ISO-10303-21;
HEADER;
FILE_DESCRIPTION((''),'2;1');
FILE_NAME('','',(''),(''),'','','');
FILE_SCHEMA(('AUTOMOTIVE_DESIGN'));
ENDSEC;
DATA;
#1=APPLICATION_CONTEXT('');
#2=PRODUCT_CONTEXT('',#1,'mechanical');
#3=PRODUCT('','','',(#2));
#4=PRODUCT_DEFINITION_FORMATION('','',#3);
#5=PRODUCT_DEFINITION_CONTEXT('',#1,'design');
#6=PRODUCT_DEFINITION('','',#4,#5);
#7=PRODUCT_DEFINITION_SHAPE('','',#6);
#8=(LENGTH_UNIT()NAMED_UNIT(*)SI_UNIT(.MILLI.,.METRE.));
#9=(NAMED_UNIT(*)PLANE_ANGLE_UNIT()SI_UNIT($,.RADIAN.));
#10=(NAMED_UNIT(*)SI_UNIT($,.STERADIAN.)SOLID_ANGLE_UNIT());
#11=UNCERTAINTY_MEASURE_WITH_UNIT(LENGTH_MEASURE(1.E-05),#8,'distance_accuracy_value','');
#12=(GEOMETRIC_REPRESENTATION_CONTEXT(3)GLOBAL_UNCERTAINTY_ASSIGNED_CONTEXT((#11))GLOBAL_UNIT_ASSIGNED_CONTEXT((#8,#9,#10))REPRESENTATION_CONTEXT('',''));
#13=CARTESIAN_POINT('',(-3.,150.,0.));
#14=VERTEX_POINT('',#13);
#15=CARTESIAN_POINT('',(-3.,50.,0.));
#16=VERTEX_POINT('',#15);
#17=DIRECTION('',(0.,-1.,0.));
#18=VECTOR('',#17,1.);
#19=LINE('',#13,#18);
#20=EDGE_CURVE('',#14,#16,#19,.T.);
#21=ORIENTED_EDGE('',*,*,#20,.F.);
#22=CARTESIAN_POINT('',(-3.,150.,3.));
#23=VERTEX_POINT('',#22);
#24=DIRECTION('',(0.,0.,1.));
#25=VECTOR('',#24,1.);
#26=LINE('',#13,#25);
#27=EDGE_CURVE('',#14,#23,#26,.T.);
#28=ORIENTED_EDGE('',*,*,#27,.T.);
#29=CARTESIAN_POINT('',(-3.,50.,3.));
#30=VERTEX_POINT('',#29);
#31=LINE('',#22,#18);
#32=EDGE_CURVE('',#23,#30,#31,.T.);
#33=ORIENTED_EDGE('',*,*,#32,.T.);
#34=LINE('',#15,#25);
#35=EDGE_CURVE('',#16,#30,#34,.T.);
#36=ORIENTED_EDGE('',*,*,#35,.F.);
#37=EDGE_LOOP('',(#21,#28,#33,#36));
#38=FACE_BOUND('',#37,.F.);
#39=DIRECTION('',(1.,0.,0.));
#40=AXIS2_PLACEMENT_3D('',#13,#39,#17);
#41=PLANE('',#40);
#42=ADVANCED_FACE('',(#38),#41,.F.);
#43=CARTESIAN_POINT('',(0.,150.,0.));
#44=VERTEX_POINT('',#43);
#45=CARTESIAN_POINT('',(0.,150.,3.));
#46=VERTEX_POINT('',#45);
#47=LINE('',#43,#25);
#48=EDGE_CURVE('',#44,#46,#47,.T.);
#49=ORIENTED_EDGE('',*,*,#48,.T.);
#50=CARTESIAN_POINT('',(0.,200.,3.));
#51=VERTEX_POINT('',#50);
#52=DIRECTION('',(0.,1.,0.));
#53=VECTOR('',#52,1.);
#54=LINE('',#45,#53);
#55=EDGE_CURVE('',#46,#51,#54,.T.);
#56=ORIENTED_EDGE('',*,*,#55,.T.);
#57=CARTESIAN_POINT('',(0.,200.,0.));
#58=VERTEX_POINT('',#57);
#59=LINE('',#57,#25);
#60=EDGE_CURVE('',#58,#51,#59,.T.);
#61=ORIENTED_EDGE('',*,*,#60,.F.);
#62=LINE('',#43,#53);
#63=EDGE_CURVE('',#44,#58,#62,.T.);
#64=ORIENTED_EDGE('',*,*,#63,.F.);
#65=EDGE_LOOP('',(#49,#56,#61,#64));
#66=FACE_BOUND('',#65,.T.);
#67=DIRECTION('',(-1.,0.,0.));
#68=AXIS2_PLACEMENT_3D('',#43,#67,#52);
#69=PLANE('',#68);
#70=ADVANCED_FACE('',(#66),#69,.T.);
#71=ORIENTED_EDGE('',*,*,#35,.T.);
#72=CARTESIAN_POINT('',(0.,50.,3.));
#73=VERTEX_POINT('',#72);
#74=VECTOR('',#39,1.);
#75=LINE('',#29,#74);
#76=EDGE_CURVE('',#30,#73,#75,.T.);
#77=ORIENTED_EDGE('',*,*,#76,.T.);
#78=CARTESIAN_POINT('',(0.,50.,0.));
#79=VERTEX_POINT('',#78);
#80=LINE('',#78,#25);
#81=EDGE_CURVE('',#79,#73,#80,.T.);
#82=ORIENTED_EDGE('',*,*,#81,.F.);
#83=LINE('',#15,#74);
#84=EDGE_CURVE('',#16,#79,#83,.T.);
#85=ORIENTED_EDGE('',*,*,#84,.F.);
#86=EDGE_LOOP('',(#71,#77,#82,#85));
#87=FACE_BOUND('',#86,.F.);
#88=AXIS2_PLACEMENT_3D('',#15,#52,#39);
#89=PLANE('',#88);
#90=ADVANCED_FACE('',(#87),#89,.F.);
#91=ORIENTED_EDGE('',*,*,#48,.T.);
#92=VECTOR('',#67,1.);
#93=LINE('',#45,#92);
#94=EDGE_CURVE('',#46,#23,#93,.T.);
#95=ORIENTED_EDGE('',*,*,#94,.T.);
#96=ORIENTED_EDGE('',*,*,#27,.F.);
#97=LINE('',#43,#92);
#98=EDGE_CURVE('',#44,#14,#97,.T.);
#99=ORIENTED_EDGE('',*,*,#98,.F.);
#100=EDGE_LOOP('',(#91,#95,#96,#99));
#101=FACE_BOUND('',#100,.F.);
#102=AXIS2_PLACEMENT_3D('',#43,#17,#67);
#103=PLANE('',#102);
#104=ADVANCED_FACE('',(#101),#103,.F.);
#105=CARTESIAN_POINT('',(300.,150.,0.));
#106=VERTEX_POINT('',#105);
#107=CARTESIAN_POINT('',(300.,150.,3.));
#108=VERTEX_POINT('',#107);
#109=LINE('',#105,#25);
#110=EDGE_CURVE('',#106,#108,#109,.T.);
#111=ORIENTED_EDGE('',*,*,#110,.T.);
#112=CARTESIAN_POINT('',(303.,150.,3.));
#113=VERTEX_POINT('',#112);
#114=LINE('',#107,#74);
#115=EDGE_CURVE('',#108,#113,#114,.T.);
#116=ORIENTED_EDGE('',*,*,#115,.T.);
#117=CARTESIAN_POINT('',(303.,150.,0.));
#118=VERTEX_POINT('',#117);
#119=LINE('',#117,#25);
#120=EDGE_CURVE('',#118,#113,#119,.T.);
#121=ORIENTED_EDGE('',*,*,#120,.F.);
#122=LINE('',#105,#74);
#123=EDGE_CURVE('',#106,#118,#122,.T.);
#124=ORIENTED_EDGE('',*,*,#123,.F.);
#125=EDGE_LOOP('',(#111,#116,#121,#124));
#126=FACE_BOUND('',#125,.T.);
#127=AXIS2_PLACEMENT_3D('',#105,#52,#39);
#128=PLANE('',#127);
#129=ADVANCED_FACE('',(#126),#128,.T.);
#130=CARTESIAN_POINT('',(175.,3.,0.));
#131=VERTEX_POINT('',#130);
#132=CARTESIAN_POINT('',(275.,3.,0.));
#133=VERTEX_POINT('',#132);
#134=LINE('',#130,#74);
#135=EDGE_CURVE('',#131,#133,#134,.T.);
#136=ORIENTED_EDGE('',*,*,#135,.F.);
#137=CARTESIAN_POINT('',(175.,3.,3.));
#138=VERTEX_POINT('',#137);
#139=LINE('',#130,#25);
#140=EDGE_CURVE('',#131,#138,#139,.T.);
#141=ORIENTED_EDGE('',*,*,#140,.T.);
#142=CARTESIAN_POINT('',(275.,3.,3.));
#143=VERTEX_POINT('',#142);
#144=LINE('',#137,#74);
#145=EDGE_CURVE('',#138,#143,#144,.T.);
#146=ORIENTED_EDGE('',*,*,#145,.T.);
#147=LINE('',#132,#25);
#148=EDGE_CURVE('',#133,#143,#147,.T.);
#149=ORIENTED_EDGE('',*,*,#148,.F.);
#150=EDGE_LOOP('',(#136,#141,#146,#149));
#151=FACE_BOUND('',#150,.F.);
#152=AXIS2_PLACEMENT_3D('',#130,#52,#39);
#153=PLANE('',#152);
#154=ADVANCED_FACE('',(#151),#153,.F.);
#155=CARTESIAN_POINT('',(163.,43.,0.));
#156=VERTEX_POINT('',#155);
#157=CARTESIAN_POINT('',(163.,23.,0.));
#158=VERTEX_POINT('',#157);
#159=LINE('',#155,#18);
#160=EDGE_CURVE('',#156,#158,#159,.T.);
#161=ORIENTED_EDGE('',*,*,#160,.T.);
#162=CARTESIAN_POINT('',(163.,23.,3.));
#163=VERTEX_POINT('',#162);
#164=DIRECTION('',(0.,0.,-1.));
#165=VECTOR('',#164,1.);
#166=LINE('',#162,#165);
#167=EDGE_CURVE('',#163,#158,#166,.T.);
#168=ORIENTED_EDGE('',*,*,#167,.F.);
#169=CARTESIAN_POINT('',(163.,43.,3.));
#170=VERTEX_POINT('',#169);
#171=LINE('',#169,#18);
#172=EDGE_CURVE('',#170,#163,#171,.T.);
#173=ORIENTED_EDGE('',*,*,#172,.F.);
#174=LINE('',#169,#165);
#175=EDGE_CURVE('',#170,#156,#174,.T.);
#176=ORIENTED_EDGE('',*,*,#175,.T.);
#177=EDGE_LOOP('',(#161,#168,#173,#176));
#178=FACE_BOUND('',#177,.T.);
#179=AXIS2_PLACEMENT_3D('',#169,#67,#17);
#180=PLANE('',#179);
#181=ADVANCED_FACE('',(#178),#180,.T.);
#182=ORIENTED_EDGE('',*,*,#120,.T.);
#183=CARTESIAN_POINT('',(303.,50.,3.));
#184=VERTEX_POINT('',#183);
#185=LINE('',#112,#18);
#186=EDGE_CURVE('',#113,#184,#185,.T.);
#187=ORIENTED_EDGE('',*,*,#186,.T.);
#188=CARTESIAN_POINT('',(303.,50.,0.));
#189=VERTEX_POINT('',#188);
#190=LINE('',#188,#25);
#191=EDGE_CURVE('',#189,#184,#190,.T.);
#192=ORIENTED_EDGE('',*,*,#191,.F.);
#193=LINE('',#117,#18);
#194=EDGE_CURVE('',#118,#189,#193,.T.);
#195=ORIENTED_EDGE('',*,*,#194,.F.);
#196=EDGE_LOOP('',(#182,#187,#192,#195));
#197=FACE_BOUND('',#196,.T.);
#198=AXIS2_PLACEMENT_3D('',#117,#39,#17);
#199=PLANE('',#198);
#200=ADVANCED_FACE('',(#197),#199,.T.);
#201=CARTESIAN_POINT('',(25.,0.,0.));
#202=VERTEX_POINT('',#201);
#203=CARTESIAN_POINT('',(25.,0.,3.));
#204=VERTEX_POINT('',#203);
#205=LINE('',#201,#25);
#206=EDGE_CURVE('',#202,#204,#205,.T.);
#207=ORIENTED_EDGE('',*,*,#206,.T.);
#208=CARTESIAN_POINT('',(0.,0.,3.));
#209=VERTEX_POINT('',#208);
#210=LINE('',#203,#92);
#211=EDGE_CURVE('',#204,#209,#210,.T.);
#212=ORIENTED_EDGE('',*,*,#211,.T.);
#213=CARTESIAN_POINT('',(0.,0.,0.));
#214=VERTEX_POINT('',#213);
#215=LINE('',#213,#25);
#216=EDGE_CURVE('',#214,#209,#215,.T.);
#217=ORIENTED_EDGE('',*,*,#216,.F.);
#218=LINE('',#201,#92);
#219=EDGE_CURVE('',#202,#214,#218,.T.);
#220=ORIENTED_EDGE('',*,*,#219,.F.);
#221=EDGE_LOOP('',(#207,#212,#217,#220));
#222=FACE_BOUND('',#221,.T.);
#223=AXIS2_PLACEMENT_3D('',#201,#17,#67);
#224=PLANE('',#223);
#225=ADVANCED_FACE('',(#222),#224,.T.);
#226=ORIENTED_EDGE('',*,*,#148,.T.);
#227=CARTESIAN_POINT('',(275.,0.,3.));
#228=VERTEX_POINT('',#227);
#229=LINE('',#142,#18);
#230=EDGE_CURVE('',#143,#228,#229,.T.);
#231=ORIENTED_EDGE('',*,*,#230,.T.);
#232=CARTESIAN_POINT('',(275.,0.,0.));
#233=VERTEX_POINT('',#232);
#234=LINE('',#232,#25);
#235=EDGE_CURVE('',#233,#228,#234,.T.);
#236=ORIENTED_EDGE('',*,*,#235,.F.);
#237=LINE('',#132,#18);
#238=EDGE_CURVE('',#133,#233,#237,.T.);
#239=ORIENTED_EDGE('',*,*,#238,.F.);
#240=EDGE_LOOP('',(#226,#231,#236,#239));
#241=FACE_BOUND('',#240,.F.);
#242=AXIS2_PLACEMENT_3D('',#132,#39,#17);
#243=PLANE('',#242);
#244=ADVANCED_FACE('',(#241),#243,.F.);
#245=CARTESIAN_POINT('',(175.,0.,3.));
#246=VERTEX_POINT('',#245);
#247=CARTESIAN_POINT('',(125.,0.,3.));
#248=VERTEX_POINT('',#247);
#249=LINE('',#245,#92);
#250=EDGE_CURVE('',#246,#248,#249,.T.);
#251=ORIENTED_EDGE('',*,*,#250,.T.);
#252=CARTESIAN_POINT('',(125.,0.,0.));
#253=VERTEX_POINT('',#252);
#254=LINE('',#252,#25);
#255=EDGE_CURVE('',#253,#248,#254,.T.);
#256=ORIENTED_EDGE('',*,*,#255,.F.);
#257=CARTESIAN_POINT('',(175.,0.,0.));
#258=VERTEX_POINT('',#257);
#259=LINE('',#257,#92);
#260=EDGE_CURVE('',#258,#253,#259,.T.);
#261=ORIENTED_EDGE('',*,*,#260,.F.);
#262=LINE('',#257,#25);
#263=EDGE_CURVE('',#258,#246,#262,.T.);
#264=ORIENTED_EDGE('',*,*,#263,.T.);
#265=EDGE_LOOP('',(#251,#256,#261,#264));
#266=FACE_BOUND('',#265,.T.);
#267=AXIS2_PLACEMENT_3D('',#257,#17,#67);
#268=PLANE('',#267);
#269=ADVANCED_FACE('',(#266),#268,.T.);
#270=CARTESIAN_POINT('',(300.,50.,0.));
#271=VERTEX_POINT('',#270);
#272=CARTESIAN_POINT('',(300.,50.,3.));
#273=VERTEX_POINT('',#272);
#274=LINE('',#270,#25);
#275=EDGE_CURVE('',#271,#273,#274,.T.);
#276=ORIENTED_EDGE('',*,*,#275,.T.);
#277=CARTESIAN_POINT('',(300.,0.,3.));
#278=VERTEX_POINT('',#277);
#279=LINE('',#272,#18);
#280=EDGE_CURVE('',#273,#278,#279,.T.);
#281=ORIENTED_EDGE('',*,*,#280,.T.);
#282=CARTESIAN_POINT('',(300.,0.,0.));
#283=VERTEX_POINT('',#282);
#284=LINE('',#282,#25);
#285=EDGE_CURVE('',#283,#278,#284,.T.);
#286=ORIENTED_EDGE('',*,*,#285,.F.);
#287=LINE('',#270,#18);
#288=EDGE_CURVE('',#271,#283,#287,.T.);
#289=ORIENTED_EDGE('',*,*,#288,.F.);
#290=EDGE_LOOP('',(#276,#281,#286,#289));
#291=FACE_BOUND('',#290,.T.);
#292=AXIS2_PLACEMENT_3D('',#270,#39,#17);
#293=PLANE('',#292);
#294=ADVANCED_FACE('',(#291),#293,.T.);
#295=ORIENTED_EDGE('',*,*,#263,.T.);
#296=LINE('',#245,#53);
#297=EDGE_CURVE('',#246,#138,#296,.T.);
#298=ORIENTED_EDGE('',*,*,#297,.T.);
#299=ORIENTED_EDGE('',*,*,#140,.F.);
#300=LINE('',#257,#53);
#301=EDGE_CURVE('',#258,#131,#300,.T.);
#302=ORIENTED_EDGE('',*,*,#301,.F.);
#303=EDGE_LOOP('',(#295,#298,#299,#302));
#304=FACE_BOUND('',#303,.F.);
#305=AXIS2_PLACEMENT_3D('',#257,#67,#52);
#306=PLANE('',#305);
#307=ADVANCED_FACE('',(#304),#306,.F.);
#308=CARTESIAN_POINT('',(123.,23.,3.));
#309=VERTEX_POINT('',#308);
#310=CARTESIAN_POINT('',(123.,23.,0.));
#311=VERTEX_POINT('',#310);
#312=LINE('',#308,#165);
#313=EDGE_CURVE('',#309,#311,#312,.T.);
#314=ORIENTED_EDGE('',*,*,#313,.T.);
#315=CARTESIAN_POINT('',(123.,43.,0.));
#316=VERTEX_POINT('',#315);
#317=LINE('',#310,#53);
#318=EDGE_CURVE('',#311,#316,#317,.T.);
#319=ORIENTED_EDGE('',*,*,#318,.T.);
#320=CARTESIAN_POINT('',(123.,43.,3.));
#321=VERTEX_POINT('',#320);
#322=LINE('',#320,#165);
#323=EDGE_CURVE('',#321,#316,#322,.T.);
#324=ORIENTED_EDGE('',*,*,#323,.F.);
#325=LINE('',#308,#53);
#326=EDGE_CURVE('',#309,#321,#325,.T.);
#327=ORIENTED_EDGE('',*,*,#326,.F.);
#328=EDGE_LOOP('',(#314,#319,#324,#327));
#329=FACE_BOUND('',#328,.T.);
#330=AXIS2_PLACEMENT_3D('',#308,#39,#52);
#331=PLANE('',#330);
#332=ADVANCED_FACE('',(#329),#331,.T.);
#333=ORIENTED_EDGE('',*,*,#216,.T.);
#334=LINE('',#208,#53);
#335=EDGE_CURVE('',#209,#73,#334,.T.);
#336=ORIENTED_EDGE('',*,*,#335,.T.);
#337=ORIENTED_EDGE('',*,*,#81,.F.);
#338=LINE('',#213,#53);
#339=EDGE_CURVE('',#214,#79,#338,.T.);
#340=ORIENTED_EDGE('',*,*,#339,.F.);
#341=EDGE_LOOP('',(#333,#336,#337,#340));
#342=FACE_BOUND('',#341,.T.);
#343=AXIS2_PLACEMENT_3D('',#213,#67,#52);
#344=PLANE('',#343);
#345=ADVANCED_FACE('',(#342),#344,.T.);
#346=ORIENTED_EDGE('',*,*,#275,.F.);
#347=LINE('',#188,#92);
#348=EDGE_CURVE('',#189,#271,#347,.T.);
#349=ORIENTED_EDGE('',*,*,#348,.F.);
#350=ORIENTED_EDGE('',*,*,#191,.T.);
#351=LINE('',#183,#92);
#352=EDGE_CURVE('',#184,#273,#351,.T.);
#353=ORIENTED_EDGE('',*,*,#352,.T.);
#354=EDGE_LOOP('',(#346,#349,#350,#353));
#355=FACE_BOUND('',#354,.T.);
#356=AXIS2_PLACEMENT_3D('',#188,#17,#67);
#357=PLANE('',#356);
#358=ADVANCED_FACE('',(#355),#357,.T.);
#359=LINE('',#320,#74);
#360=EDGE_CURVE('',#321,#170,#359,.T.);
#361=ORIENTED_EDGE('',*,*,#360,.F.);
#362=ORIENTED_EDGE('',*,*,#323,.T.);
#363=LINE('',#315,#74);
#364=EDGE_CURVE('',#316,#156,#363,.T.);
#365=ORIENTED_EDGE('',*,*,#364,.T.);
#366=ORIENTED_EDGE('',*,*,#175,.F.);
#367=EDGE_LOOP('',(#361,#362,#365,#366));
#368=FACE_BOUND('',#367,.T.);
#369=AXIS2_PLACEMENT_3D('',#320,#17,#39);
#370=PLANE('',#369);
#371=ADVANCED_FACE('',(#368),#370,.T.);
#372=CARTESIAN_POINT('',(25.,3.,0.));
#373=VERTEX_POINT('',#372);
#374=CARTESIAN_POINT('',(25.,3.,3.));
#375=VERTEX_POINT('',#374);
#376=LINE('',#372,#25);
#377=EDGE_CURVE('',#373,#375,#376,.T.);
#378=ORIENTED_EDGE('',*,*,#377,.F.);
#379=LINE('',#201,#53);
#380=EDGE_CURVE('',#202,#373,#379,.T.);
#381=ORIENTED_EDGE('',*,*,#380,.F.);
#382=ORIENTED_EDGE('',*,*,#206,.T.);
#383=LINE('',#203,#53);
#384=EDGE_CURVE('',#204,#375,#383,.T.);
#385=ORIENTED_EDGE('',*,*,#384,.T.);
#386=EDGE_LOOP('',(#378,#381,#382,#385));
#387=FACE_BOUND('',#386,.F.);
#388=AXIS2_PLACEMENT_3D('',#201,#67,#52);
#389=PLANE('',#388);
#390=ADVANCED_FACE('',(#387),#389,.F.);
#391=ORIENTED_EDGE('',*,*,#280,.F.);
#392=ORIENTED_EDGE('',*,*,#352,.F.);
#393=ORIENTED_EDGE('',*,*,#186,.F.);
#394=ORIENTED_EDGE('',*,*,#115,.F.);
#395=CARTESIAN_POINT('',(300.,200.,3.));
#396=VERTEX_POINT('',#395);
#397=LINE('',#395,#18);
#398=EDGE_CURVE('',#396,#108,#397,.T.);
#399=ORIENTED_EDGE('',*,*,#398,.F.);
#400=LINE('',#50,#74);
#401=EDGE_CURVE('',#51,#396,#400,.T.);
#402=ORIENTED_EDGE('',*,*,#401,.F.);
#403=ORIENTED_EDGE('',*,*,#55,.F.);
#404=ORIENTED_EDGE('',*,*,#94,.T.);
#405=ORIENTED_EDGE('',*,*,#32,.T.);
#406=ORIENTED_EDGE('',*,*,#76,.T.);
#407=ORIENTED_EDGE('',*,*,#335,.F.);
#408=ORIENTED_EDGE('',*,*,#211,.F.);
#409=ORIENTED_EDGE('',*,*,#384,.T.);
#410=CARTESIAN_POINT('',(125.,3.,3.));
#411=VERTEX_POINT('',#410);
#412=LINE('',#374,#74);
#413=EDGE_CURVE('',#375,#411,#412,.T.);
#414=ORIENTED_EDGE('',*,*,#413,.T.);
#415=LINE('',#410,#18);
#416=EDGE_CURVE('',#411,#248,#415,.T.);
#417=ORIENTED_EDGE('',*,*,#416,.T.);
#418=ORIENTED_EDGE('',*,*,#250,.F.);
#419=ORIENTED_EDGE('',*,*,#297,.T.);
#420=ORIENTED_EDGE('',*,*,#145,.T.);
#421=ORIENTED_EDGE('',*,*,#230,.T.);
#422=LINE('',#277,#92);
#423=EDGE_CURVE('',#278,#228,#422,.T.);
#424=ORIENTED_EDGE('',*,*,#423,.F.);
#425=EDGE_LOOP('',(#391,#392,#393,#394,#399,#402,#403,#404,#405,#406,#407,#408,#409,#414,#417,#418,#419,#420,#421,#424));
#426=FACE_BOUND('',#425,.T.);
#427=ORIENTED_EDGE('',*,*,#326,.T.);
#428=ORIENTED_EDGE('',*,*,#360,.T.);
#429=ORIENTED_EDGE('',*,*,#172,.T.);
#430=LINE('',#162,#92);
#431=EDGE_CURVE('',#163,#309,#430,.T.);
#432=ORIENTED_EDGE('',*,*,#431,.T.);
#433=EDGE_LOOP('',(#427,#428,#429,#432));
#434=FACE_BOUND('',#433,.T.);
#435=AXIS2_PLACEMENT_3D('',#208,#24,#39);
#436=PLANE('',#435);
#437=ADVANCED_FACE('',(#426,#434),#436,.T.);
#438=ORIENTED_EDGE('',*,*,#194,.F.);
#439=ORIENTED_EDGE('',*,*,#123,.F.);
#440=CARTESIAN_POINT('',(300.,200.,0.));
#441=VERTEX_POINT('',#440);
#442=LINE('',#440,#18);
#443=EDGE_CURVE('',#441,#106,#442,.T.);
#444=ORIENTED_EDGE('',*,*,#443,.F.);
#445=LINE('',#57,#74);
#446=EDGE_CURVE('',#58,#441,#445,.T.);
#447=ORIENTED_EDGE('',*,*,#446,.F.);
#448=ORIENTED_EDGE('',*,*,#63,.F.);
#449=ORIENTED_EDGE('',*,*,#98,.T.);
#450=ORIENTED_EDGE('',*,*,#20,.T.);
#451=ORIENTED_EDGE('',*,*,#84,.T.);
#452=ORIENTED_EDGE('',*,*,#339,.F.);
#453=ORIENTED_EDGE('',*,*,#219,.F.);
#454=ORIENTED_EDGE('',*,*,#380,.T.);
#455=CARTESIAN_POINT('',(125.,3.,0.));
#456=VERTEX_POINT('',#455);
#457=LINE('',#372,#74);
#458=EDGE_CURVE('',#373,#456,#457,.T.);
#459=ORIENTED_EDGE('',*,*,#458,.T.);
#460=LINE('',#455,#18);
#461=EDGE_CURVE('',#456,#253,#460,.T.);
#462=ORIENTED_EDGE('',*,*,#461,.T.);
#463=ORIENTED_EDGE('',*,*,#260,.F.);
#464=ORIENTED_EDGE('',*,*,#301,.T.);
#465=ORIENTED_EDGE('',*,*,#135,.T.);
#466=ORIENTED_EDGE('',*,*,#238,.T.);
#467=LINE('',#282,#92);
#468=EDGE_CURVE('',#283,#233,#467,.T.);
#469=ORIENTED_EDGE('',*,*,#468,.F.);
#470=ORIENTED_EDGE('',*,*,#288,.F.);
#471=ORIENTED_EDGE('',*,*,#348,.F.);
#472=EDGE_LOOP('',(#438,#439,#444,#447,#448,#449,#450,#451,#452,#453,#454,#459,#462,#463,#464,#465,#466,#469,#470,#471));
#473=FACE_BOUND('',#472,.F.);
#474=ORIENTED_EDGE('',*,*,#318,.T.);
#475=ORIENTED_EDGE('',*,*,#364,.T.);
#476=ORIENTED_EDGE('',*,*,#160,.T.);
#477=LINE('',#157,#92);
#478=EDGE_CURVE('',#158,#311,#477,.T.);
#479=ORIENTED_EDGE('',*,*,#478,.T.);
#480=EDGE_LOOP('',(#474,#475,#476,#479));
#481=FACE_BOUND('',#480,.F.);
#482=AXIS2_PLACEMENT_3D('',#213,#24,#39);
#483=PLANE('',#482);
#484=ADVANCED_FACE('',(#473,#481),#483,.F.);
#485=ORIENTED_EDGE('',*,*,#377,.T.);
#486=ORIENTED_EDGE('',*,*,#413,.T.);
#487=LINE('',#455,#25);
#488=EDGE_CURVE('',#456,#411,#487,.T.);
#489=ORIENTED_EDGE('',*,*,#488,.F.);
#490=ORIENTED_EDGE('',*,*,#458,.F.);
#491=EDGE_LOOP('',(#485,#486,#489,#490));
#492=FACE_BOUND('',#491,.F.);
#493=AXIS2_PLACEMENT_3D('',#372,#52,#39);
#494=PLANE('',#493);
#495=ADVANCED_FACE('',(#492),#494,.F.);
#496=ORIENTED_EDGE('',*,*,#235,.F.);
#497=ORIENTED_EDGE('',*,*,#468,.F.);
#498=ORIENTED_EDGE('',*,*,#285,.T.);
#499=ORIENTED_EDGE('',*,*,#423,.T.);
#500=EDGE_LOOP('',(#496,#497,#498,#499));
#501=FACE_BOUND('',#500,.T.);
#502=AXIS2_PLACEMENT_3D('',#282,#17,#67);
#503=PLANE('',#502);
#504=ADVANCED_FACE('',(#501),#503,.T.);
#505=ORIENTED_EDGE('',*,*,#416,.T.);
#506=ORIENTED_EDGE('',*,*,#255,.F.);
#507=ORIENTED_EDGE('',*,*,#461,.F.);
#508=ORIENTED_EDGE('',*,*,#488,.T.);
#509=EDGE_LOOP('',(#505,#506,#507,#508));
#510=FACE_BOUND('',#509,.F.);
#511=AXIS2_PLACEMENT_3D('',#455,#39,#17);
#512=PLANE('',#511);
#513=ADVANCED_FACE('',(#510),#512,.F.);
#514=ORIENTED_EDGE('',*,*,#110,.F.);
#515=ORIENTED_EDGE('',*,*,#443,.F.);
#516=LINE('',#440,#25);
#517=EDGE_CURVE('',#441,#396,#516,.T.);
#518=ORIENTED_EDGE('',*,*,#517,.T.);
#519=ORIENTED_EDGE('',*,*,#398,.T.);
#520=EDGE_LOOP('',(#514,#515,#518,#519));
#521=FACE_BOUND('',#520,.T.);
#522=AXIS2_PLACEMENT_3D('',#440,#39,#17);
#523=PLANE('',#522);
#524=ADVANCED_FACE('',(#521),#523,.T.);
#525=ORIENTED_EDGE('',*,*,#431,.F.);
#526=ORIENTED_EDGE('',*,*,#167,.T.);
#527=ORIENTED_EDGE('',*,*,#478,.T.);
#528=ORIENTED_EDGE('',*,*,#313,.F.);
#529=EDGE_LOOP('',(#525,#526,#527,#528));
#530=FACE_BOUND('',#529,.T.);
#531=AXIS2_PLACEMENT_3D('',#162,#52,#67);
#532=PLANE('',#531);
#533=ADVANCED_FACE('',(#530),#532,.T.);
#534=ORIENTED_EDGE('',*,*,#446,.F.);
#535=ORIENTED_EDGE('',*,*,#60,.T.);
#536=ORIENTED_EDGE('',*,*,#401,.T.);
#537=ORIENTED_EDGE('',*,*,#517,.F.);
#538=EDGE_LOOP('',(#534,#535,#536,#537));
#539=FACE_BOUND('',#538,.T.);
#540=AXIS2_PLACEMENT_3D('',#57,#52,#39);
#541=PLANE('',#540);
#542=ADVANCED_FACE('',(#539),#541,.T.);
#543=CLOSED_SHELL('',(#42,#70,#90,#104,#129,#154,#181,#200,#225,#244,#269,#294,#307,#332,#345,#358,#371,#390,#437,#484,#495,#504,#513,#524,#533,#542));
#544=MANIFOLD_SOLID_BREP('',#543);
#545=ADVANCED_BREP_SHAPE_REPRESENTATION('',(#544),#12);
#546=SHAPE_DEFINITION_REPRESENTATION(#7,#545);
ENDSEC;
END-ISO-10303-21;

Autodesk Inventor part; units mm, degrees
ref_plane "YZ Plane" through (0, 0, 0) normal (1, 0, 0) x (0, 1, 0)
ref_plane "XZ Plane" through (0, 0, 0) normal (0, 1, 0) x (-1, 0, 0)
ref_plane "XY Plane" through (0, 0, 0) normal (0, 0, 1) x (1, 0, 0)
sketch "Boceto1" plane through (0, 0, 0) normal (0, 0, 1) x (1, 0, 0)
  line L0 (0, 200) -> (300, 200)
  line L1 (25, 0) -> (25, 3)
  line L2 (25, 3) -> (125, 3)
  line L3 (125, 3) -> (125, 0)
  line L4 (175, 0) -> (175, 3)
  line L5 (175, 3) -> (275, 3)
  line L6 (275, 3) -> (275, 0)
  line L7 (25, 0) -> (0, 0)
  line L8 (300, 0) -> (275, 0)
  line L9 (175, 0) -> (125, 0)
  line L10 (0, 150) -> (-3, 150)
  line L11 (-3, 150) -> (-3, 50)
  line L12 (-3, 50) -> (0, 50)
  line L13 (0, 0) -> (0, 50)
  line L14 (0, 150) -> (0, 200)
  line L15 (300, 150) -> (303, 150)
  line L16 (303, 150) -> (303, 50)
  line L17 (303, 50) -> (300, 50)
  line L18 (300, 200) -> (300, 150)
  line L19 (300, 50) -> (300, 0)
  dimension "d4" = 100
  dimension "d6" = 100
  dimension "d10" = 50
  dimension "d13" = 3
  dimension "d14" = 200
  dimension "d15" = 3
  dimension "d16" = 100
  dimension "d17" = 50
  dimension "d21" = 300
extrude "Extrusión1" add sketch "Boceto1" along normal blind 3
sketch "Boceto2" plane through (0, 0, 3) normal (0, 0, 1) x (1, 0, 0)
  line L0 (123, 43) -> (163, 43)
  line L1 (163, 43) -> (163, 23)
  line L2 (163, 23) -> (123, 23)
  line L3 (123, 23) -> (123, 43)
  line L4 (0, 50) -> (0, 0) projected
  line L5 (25, 3) -> (125, 3) projected
  dimension "d24" = 40
  dimension "d25" = 20
  dimension "d26" = 123
  dimension "d27" = 20
extrude "Extrusión2" cut sketch "Boceto2" against normal blind 3
properties part number "Base lateral"
